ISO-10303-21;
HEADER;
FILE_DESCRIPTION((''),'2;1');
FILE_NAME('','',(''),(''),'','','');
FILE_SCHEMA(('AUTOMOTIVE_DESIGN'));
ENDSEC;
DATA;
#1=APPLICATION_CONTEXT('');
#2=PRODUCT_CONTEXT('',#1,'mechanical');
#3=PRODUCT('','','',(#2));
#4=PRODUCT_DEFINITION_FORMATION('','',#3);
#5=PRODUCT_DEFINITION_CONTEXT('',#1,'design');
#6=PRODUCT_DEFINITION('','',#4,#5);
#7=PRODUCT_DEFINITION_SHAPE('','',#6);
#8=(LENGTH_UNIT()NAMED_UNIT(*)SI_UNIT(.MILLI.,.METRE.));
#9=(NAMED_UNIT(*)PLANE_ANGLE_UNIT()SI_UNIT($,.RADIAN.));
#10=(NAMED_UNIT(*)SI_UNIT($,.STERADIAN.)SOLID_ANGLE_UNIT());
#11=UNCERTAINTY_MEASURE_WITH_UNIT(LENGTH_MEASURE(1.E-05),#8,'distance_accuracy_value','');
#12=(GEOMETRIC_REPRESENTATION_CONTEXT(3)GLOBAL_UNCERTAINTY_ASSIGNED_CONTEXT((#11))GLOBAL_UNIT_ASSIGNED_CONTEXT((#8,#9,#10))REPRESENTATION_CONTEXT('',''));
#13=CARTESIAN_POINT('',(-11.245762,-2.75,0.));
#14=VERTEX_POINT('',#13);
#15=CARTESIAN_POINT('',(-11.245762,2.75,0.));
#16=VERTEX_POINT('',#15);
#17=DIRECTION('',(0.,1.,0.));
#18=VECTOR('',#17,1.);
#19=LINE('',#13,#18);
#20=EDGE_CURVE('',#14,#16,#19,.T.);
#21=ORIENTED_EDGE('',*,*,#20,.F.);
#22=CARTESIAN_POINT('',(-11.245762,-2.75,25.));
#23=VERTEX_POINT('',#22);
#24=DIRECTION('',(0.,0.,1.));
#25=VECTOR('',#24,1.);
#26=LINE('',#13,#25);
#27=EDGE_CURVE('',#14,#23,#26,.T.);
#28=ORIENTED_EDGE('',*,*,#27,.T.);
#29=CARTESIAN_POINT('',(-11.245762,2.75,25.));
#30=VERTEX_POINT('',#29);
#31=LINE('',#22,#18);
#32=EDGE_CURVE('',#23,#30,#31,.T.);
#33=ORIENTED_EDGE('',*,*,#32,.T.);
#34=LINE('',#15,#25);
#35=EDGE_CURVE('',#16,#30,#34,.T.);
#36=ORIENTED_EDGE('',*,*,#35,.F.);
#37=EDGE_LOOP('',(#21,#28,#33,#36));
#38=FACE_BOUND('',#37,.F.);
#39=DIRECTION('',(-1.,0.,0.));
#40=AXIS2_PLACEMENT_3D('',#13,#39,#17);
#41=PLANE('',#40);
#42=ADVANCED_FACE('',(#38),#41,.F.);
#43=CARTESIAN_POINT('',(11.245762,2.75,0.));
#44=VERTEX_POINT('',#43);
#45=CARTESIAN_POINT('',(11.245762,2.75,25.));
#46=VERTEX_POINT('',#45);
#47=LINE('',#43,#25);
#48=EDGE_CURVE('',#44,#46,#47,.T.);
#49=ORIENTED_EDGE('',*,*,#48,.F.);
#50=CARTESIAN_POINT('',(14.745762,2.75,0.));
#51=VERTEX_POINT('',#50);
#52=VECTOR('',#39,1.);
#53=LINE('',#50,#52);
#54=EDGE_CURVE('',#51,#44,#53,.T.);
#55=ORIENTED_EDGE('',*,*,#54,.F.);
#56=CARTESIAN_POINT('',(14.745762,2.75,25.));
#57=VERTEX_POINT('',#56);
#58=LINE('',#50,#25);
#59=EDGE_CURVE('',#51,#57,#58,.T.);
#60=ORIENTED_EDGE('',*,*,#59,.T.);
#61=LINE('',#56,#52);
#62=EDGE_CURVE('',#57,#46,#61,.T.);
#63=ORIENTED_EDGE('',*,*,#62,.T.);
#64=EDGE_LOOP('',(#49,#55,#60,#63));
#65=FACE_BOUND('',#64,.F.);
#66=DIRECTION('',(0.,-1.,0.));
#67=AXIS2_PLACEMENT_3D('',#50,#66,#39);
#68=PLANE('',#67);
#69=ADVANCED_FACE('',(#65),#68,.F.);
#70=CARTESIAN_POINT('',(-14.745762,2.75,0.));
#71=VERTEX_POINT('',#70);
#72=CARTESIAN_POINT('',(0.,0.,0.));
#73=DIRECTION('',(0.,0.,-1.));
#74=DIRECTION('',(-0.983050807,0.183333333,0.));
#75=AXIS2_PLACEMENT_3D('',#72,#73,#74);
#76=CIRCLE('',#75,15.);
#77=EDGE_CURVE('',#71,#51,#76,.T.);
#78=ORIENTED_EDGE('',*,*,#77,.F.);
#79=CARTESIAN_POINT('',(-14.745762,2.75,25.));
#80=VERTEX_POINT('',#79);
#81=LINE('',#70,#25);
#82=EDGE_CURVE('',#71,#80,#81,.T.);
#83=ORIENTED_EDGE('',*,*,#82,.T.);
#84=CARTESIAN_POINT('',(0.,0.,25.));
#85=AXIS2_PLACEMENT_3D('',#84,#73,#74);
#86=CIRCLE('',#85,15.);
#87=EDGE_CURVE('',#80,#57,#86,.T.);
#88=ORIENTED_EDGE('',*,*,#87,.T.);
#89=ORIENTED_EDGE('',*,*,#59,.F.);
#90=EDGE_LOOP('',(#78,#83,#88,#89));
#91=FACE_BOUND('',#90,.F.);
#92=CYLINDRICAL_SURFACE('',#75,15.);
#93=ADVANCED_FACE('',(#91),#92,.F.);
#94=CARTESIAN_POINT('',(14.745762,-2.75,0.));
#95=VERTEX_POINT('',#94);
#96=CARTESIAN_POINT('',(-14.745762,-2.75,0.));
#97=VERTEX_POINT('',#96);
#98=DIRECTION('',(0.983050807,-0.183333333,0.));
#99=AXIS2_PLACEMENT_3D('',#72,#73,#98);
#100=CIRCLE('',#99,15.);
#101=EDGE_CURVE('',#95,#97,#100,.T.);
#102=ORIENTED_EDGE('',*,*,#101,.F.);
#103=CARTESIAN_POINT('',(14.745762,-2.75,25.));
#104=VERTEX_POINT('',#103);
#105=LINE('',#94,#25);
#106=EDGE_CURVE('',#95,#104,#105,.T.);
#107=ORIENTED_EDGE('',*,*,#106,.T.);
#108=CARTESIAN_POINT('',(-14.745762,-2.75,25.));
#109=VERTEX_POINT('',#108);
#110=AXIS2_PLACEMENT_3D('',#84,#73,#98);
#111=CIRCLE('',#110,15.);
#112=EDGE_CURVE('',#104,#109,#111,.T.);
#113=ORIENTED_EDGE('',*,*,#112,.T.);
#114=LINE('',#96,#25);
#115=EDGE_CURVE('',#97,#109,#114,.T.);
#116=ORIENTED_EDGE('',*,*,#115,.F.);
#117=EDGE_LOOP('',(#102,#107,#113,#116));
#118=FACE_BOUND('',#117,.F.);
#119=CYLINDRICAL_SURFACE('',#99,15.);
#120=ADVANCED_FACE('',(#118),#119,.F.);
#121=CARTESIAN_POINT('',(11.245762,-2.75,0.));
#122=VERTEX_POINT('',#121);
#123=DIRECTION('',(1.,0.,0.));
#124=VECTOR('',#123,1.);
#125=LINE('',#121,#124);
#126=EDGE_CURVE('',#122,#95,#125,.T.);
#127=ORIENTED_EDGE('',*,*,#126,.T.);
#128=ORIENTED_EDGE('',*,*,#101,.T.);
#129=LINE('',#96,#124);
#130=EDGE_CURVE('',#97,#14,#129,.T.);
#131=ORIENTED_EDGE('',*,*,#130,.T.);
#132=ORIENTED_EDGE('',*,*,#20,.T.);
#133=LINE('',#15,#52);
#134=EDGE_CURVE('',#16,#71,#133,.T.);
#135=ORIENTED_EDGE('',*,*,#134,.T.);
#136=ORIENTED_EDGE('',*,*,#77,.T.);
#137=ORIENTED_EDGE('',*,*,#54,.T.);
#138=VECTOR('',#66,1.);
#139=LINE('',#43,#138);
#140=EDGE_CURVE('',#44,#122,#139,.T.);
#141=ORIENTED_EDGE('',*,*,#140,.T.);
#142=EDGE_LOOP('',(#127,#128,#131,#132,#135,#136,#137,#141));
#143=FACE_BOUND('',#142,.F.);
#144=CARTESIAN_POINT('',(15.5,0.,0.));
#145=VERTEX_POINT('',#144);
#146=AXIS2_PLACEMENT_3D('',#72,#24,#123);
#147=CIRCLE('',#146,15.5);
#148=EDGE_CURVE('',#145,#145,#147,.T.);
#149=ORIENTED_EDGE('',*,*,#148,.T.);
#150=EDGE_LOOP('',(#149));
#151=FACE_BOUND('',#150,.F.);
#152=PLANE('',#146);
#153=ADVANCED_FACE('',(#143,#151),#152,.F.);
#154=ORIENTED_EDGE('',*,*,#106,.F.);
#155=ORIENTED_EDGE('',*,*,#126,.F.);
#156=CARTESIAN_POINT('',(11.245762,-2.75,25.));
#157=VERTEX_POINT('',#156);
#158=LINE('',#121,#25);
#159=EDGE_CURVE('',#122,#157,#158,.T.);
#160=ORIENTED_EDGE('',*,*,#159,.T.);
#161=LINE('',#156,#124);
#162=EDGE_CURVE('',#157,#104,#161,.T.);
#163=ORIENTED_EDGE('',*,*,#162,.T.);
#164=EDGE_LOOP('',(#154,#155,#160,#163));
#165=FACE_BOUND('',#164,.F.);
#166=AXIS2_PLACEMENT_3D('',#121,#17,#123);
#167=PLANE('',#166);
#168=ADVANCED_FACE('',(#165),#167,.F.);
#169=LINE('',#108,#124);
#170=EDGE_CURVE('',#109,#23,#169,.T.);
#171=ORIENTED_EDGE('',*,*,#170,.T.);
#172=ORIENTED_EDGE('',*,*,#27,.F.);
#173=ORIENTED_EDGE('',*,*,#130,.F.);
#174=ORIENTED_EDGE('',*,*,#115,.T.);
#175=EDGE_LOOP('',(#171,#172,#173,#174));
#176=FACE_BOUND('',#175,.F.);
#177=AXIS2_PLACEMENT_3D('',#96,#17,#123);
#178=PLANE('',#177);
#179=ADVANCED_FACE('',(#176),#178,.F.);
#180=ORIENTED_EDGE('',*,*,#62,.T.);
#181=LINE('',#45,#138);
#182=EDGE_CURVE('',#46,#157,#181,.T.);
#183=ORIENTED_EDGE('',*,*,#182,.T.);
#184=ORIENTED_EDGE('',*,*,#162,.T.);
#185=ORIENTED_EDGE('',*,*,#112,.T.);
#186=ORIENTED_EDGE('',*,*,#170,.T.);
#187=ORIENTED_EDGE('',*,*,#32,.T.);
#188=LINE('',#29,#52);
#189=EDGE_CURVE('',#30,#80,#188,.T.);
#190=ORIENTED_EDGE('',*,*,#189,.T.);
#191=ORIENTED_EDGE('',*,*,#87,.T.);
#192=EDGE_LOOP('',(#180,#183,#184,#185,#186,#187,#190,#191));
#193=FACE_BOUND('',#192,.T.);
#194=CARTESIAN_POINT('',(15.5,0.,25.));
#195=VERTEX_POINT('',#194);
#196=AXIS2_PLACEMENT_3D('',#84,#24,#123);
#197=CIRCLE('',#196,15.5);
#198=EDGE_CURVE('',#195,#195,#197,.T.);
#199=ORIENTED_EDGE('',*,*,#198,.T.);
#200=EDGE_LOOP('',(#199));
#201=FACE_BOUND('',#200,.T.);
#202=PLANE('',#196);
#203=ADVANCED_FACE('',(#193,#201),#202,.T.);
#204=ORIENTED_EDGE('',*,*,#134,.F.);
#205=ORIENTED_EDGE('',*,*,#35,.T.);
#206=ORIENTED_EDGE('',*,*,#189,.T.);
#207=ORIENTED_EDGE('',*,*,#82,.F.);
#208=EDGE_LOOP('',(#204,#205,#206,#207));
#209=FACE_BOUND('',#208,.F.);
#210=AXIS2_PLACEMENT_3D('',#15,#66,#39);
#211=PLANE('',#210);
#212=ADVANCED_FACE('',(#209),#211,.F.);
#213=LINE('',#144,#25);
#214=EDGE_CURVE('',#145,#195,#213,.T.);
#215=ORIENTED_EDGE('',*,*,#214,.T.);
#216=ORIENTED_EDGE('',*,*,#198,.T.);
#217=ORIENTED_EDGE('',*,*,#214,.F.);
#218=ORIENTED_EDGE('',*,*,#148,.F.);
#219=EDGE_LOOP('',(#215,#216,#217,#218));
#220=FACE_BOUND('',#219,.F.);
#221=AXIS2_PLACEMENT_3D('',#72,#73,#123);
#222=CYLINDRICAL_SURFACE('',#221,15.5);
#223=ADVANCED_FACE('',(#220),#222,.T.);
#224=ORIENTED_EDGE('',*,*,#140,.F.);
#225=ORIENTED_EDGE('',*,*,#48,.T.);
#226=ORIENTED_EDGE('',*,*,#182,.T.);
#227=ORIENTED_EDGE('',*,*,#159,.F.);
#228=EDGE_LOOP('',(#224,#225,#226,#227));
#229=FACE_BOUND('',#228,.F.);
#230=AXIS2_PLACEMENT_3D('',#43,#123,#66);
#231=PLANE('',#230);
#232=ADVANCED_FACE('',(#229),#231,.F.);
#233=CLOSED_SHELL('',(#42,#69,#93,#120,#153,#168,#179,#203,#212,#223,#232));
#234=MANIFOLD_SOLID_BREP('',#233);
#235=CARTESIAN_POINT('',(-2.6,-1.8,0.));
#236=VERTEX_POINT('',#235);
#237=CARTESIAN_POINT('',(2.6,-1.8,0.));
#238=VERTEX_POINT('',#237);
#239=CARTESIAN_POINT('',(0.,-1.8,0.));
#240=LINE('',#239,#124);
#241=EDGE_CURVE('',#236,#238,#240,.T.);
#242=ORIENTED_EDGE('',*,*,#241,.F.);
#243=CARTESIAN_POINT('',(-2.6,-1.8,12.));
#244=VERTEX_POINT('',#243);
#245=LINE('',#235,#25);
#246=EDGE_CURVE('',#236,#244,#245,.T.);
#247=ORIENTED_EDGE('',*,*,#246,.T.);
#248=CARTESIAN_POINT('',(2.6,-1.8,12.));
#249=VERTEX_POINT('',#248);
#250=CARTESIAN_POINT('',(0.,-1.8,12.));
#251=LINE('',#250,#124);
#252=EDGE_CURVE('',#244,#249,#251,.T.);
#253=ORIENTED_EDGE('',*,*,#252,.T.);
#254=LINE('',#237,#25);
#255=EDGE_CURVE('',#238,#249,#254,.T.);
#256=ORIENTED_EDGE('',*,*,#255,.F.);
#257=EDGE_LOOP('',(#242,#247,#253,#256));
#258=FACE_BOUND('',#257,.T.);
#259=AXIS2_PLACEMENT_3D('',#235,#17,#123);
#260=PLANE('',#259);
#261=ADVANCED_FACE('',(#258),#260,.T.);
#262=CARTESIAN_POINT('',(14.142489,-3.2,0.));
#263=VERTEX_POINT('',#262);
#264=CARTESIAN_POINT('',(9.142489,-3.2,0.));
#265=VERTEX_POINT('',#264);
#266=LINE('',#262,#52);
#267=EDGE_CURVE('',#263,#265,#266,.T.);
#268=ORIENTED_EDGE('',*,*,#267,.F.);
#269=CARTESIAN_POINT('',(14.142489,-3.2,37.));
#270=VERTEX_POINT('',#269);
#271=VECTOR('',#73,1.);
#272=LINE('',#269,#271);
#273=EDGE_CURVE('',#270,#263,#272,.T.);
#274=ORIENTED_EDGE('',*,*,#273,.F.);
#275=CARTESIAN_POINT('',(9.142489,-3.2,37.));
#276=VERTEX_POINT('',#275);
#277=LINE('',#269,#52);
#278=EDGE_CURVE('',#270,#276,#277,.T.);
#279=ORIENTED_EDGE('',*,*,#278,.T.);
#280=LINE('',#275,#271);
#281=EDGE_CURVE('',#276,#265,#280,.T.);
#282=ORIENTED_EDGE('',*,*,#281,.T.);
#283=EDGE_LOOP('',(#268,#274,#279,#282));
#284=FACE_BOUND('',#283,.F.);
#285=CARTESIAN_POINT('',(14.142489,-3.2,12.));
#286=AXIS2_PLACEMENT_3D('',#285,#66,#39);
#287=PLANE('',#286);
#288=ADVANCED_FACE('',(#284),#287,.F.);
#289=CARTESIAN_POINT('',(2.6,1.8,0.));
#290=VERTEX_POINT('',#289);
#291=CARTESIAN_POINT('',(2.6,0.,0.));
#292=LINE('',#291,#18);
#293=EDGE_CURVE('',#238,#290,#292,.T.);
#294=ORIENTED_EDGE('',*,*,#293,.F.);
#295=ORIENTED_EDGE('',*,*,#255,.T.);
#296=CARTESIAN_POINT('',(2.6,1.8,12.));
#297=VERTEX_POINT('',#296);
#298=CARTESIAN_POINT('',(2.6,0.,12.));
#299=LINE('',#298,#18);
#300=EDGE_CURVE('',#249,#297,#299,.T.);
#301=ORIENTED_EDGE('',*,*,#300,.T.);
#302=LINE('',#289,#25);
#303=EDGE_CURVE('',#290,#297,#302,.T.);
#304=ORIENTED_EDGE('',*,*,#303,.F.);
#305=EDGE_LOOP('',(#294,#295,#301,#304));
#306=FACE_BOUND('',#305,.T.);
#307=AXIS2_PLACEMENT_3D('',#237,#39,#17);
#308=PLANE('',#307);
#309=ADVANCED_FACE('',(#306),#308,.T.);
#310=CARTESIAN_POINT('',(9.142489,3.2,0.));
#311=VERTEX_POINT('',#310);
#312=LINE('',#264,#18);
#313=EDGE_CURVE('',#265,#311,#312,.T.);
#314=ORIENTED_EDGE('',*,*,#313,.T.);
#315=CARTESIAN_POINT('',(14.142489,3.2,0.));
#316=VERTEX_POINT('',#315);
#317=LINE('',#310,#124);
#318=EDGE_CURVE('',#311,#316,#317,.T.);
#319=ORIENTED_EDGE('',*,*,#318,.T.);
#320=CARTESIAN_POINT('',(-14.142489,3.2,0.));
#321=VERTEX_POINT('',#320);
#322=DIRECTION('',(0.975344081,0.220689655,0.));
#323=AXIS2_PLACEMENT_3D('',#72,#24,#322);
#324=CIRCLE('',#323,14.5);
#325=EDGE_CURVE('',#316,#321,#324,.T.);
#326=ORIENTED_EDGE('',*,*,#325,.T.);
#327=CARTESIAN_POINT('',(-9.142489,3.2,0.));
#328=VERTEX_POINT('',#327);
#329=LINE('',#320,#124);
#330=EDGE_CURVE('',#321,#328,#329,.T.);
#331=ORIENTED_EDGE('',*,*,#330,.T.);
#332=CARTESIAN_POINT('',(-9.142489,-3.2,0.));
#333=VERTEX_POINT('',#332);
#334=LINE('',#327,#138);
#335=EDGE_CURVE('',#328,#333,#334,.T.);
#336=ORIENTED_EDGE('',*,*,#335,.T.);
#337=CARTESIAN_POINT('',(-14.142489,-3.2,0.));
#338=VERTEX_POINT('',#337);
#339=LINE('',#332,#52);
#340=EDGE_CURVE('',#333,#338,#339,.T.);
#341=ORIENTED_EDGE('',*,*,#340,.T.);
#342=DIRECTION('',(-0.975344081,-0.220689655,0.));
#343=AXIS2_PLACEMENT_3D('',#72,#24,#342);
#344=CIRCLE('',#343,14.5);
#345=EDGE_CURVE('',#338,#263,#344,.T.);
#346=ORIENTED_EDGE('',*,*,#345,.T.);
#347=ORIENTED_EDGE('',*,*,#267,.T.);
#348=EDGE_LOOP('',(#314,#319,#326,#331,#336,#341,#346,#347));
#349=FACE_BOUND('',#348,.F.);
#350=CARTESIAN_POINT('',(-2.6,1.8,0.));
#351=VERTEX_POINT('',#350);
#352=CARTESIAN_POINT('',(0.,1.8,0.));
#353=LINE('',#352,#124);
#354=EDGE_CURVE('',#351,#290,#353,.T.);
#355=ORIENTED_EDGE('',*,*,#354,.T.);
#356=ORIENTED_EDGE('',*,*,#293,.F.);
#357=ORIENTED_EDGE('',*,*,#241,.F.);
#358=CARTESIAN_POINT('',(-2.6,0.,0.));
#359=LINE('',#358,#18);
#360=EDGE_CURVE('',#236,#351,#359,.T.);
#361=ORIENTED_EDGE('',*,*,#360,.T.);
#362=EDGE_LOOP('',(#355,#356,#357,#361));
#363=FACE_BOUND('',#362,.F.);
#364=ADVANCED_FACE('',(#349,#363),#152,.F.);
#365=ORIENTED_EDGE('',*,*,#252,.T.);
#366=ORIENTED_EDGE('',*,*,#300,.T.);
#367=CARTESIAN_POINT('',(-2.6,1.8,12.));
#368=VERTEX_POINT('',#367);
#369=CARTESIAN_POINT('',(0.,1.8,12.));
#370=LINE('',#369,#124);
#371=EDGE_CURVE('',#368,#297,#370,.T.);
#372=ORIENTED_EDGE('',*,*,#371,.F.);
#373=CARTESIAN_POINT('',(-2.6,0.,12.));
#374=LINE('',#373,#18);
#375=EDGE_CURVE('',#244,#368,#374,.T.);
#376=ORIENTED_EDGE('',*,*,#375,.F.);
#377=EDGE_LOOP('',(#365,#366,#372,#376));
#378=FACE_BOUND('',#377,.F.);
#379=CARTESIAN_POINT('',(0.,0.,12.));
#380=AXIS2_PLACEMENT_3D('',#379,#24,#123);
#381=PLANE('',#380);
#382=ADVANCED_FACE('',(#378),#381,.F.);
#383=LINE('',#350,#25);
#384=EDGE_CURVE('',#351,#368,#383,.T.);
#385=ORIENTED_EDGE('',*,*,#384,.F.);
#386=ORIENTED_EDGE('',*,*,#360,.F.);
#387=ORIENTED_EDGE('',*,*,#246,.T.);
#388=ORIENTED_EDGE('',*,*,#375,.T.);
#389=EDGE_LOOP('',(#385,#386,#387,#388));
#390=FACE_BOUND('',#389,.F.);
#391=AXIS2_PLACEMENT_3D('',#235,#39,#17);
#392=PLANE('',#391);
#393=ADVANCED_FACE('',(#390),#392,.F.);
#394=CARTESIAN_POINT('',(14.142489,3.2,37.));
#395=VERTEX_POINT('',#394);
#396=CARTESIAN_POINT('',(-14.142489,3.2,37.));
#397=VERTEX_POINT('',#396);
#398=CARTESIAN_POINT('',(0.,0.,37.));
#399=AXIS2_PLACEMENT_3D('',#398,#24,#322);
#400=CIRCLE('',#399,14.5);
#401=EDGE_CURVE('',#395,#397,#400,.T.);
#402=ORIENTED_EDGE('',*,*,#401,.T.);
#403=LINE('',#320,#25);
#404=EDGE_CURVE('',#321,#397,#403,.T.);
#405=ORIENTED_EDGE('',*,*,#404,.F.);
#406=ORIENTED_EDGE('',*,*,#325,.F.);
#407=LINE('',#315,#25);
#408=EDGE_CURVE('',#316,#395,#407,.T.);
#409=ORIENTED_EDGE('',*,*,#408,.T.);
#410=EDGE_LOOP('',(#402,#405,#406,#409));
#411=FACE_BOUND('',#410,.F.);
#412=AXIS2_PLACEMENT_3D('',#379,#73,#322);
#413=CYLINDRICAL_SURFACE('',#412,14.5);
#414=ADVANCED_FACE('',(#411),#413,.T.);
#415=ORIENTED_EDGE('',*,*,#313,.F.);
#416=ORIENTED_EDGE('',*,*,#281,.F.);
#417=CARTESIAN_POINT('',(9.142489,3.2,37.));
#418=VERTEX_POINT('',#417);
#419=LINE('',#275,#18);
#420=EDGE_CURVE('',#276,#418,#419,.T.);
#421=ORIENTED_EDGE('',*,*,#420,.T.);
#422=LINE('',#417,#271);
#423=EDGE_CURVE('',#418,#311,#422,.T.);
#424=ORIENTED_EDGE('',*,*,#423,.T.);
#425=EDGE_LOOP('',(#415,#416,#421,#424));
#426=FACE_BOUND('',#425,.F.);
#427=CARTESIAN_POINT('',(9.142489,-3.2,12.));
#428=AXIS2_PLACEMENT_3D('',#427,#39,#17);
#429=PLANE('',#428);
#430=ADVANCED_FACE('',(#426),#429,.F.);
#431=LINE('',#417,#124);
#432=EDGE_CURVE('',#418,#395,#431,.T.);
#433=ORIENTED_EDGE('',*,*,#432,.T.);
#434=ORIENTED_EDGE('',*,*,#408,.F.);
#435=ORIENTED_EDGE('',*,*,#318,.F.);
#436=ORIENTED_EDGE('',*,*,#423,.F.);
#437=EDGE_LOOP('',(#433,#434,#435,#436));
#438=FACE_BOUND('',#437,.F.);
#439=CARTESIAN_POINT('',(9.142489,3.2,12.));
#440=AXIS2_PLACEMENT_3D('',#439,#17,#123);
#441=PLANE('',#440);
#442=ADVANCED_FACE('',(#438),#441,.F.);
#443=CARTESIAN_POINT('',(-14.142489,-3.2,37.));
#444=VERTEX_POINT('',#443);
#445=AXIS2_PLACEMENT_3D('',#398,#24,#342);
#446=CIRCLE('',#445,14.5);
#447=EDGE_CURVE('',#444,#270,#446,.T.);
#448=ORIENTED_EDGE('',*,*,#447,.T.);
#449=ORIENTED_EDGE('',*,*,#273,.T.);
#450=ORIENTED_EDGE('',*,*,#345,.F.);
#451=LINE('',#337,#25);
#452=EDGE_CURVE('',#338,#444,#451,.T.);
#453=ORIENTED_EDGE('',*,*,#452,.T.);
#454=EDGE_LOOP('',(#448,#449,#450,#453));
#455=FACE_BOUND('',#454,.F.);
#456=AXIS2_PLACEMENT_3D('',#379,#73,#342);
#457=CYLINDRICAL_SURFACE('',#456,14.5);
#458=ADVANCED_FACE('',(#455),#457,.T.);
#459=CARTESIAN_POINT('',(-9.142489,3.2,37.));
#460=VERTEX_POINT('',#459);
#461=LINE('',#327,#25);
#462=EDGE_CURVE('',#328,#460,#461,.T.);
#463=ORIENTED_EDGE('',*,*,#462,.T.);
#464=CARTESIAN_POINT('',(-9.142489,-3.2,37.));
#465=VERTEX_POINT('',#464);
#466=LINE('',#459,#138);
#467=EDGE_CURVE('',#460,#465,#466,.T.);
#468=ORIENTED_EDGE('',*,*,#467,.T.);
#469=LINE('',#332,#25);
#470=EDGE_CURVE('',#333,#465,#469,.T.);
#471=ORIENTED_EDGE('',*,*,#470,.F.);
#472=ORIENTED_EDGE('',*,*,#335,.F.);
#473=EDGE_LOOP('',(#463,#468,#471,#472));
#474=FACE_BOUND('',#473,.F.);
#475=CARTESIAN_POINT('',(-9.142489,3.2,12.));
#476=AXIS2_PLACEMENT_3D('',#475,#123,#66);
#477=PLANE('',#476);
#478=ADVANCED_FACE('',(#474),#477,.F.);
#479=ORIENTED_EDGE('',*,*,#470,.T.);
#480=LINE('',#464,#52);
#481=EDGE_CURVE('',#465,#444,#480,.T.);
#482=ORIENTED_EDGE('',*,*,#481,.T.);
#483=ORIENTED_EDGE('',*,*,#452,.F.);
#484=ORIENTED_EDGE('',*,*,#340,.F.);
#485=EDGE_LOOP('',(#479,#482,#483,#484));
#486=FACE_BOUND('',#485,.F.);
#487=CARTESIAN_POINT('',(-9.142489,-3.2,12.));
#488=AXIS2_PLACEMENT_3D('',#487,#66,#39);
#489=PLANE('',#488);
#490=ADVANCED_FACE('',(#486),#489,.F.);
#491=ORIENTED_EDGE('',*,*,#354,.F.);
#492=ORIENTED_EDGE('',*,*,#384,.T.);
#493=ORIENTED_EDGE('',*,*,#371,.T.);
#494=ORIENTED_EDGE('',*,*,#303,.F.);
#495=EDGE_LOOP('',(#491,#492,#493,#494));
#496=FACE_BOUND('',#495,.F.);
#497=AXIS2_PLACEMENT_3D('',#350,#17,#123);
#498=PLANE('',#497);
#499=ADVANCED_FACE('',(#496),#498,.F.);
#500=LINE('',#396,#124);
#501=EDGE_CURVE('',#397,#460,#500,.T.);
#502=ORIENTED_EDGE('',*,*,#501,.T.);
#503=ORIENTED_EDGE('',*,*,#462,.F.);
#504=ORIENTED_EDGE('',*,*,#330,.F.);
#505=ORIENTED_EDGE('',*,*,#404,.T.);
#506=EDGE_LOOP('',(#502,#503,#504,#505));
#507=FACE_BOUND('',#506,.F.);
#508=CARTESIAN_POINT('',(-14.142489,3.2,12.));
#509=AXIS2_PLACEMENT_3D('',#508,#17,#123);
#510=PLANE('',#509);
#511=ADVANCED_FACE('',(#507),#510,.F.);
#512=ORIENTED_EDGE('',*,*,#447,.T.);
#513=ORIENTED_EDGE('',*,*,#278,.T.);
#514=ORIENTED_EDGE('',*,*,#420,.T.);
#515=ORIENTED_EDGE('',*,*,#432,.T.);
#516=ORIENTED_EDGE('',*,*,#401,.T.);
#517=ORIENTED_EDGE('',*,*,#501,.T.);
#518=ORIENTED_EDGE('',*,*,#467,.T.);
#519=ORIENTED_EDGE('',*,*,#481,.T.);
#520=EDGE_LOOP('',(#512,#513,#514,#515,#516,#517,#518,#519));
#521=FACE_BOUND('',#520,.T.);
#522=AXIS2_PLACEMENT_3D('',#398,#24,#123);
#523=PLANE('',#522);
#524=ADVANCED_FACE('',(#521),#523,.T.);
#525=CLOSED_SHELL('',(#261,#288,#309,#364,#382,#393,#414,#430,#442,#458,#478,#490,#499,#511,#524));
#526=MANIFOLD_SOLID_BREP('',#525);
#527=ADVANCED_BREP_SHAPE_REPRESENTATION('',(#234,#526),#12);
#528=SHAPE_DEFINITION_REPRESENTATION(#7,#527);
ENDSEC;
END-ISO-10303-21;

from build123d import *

# Parameters (mm, degrees)
F0_R     = 15.5
F1_DEPTH = 25
F2_W     = 5.2
F2_H     = 3.6
F3_DEPTH = 12
F4_W     = 5.2
F4_H     = 3.6
F5_DEPTH = 25


with BuildPart() as f1:
    # F0 (on Top) → F1 (new body)
    with BuildSketch(Plane.XY):
        Circle(F0_R)
        with BuildLine():
            ThreePointArc((14.7457621031, 2.75), (14.9363052919, 1.3808635802), (15, 0))
            ThreePointArc((15, 0), (14.9363052919, -1.3808635802), (14.7457621031, -2.75))
            ThreePointArc((14.7457621031, -2.75), (0, -15), (-14.7457621031, -2.75))
            ThreePointArc((-14.7457621031, -2.75), (-15, 0), (-14.7457621031, 2.75))
            ThreePointArc((-14.7457621031, 2.75), (0, 15), (14.7457621031, 2.75))
        make_face(mode=Mode.SUBTRACT)
        with BuildLine():
            Line((-11.2457621031, 2.75), (-14.7457621031, 2.75))
            ThreePointArc((-14.7457621031, 2.75), (-15, 0), (-14.7457621031, -2.75))
            Line((-14.7457621031, -2.75), (-11.2457621031, -2.75))
            Line((-11.2457621031, -2.75), (-11.2457621031, 0))
            Line((-11.2457621031, 0), (-11.2457621031, 2.75))
        make_face()
        with BuildLine():
            ThreePointArc((14.7457621031, -2.75), (14.9363052919, -1.3808635802), (15, 0))
            ThreePointArc((15, 0), (14.9363052919, 1.3808635802), (14.7457621031, 2.75))
            Line((14.7457621031, 2.75), (11.2457621031, 2.75))
            Line((11.2457621031, 2.75), (11.2457621031, 0))
            Line((11.2457621031, 0), (11.2457621031, -2.75))
            Line((11.2457621031, -2.75), (14.7457621031, -2.75))
        make_face()
    extrude(amount=F1_DEPTH)


with BuildPart() as f3:
    # F2 (on Top) → F3 (new body)
    with BuildSketch(Plane.XY):
        with BuildLine():
            Line((9.1424891727, 3.2), (14.1424891727, 3.2))
            ThreePointArc((14.1424891727, 3.2), (0, 14.5), (-14.1424891727, 3.2))
            Line((-14.1424891727, 3.2), (-9.1424891727, 3.2))
            Line((-9.1424891727, 3.2), (-9.1424891727, 0))
            Line((-9.1424891727, 0), (-9.1424891727, -3.2))
            Line((-9.1424891727, -3.2), (-14.1424891727, -3.2))
            ThreePointArc((-14.1424891727, -3.2), (0, -14.5), (14.1424891727, -3.2))
            Line((14.1424891727, -3.2), (9.1424891727, -3.2))
            Line((9.1424891727, -3.2), (9.1424891727, 0))
            Line((9.1424891727, 0), (9.1424891727, 3.2))
        make_face()
        Rectangle(F2_W, F2_H, mode=Mode.SUBTRACT)
    extrude(amount=F3_DEPTH)

    # F4 (on face) → F5 (join)
    with BuildSketch(Plane.XY.offset(12)):
        with BuildLine():
            Line((9.1424891727, 3.2), (14.1424891727, 3.2))
            ThreePointArc((14.1424891727, 3.2), (0, 14.5), (-14.1424891727, 3.2))
            Line((-14.1424891727, 3.2), (-9.1424891727, 3.2))
            Line((-9.1424891727, 3.2), (-9.1424891727, -3.2))
            Line((-9.1424891727, -3.2), (-14.1424891727, -3.2))
            ThreePointArc((-14.1424891727, -3.2), (0, -14.5), (14.1424891727, -3.2))
            Line((14.1424891727, -3.2), (9.1424891727, -3.2))
            Line((9.1424891727, -3.2), (9.1424891727, 3.2))
        make_face()
        Rectangle(F4_W, F4_H, mode=Mode.SUBTRACT)
        Rectangle(F4_W, F4_H)
    extrude(amount=F5_DEPTH)


solid = Compound([f1.part, f3.part])
